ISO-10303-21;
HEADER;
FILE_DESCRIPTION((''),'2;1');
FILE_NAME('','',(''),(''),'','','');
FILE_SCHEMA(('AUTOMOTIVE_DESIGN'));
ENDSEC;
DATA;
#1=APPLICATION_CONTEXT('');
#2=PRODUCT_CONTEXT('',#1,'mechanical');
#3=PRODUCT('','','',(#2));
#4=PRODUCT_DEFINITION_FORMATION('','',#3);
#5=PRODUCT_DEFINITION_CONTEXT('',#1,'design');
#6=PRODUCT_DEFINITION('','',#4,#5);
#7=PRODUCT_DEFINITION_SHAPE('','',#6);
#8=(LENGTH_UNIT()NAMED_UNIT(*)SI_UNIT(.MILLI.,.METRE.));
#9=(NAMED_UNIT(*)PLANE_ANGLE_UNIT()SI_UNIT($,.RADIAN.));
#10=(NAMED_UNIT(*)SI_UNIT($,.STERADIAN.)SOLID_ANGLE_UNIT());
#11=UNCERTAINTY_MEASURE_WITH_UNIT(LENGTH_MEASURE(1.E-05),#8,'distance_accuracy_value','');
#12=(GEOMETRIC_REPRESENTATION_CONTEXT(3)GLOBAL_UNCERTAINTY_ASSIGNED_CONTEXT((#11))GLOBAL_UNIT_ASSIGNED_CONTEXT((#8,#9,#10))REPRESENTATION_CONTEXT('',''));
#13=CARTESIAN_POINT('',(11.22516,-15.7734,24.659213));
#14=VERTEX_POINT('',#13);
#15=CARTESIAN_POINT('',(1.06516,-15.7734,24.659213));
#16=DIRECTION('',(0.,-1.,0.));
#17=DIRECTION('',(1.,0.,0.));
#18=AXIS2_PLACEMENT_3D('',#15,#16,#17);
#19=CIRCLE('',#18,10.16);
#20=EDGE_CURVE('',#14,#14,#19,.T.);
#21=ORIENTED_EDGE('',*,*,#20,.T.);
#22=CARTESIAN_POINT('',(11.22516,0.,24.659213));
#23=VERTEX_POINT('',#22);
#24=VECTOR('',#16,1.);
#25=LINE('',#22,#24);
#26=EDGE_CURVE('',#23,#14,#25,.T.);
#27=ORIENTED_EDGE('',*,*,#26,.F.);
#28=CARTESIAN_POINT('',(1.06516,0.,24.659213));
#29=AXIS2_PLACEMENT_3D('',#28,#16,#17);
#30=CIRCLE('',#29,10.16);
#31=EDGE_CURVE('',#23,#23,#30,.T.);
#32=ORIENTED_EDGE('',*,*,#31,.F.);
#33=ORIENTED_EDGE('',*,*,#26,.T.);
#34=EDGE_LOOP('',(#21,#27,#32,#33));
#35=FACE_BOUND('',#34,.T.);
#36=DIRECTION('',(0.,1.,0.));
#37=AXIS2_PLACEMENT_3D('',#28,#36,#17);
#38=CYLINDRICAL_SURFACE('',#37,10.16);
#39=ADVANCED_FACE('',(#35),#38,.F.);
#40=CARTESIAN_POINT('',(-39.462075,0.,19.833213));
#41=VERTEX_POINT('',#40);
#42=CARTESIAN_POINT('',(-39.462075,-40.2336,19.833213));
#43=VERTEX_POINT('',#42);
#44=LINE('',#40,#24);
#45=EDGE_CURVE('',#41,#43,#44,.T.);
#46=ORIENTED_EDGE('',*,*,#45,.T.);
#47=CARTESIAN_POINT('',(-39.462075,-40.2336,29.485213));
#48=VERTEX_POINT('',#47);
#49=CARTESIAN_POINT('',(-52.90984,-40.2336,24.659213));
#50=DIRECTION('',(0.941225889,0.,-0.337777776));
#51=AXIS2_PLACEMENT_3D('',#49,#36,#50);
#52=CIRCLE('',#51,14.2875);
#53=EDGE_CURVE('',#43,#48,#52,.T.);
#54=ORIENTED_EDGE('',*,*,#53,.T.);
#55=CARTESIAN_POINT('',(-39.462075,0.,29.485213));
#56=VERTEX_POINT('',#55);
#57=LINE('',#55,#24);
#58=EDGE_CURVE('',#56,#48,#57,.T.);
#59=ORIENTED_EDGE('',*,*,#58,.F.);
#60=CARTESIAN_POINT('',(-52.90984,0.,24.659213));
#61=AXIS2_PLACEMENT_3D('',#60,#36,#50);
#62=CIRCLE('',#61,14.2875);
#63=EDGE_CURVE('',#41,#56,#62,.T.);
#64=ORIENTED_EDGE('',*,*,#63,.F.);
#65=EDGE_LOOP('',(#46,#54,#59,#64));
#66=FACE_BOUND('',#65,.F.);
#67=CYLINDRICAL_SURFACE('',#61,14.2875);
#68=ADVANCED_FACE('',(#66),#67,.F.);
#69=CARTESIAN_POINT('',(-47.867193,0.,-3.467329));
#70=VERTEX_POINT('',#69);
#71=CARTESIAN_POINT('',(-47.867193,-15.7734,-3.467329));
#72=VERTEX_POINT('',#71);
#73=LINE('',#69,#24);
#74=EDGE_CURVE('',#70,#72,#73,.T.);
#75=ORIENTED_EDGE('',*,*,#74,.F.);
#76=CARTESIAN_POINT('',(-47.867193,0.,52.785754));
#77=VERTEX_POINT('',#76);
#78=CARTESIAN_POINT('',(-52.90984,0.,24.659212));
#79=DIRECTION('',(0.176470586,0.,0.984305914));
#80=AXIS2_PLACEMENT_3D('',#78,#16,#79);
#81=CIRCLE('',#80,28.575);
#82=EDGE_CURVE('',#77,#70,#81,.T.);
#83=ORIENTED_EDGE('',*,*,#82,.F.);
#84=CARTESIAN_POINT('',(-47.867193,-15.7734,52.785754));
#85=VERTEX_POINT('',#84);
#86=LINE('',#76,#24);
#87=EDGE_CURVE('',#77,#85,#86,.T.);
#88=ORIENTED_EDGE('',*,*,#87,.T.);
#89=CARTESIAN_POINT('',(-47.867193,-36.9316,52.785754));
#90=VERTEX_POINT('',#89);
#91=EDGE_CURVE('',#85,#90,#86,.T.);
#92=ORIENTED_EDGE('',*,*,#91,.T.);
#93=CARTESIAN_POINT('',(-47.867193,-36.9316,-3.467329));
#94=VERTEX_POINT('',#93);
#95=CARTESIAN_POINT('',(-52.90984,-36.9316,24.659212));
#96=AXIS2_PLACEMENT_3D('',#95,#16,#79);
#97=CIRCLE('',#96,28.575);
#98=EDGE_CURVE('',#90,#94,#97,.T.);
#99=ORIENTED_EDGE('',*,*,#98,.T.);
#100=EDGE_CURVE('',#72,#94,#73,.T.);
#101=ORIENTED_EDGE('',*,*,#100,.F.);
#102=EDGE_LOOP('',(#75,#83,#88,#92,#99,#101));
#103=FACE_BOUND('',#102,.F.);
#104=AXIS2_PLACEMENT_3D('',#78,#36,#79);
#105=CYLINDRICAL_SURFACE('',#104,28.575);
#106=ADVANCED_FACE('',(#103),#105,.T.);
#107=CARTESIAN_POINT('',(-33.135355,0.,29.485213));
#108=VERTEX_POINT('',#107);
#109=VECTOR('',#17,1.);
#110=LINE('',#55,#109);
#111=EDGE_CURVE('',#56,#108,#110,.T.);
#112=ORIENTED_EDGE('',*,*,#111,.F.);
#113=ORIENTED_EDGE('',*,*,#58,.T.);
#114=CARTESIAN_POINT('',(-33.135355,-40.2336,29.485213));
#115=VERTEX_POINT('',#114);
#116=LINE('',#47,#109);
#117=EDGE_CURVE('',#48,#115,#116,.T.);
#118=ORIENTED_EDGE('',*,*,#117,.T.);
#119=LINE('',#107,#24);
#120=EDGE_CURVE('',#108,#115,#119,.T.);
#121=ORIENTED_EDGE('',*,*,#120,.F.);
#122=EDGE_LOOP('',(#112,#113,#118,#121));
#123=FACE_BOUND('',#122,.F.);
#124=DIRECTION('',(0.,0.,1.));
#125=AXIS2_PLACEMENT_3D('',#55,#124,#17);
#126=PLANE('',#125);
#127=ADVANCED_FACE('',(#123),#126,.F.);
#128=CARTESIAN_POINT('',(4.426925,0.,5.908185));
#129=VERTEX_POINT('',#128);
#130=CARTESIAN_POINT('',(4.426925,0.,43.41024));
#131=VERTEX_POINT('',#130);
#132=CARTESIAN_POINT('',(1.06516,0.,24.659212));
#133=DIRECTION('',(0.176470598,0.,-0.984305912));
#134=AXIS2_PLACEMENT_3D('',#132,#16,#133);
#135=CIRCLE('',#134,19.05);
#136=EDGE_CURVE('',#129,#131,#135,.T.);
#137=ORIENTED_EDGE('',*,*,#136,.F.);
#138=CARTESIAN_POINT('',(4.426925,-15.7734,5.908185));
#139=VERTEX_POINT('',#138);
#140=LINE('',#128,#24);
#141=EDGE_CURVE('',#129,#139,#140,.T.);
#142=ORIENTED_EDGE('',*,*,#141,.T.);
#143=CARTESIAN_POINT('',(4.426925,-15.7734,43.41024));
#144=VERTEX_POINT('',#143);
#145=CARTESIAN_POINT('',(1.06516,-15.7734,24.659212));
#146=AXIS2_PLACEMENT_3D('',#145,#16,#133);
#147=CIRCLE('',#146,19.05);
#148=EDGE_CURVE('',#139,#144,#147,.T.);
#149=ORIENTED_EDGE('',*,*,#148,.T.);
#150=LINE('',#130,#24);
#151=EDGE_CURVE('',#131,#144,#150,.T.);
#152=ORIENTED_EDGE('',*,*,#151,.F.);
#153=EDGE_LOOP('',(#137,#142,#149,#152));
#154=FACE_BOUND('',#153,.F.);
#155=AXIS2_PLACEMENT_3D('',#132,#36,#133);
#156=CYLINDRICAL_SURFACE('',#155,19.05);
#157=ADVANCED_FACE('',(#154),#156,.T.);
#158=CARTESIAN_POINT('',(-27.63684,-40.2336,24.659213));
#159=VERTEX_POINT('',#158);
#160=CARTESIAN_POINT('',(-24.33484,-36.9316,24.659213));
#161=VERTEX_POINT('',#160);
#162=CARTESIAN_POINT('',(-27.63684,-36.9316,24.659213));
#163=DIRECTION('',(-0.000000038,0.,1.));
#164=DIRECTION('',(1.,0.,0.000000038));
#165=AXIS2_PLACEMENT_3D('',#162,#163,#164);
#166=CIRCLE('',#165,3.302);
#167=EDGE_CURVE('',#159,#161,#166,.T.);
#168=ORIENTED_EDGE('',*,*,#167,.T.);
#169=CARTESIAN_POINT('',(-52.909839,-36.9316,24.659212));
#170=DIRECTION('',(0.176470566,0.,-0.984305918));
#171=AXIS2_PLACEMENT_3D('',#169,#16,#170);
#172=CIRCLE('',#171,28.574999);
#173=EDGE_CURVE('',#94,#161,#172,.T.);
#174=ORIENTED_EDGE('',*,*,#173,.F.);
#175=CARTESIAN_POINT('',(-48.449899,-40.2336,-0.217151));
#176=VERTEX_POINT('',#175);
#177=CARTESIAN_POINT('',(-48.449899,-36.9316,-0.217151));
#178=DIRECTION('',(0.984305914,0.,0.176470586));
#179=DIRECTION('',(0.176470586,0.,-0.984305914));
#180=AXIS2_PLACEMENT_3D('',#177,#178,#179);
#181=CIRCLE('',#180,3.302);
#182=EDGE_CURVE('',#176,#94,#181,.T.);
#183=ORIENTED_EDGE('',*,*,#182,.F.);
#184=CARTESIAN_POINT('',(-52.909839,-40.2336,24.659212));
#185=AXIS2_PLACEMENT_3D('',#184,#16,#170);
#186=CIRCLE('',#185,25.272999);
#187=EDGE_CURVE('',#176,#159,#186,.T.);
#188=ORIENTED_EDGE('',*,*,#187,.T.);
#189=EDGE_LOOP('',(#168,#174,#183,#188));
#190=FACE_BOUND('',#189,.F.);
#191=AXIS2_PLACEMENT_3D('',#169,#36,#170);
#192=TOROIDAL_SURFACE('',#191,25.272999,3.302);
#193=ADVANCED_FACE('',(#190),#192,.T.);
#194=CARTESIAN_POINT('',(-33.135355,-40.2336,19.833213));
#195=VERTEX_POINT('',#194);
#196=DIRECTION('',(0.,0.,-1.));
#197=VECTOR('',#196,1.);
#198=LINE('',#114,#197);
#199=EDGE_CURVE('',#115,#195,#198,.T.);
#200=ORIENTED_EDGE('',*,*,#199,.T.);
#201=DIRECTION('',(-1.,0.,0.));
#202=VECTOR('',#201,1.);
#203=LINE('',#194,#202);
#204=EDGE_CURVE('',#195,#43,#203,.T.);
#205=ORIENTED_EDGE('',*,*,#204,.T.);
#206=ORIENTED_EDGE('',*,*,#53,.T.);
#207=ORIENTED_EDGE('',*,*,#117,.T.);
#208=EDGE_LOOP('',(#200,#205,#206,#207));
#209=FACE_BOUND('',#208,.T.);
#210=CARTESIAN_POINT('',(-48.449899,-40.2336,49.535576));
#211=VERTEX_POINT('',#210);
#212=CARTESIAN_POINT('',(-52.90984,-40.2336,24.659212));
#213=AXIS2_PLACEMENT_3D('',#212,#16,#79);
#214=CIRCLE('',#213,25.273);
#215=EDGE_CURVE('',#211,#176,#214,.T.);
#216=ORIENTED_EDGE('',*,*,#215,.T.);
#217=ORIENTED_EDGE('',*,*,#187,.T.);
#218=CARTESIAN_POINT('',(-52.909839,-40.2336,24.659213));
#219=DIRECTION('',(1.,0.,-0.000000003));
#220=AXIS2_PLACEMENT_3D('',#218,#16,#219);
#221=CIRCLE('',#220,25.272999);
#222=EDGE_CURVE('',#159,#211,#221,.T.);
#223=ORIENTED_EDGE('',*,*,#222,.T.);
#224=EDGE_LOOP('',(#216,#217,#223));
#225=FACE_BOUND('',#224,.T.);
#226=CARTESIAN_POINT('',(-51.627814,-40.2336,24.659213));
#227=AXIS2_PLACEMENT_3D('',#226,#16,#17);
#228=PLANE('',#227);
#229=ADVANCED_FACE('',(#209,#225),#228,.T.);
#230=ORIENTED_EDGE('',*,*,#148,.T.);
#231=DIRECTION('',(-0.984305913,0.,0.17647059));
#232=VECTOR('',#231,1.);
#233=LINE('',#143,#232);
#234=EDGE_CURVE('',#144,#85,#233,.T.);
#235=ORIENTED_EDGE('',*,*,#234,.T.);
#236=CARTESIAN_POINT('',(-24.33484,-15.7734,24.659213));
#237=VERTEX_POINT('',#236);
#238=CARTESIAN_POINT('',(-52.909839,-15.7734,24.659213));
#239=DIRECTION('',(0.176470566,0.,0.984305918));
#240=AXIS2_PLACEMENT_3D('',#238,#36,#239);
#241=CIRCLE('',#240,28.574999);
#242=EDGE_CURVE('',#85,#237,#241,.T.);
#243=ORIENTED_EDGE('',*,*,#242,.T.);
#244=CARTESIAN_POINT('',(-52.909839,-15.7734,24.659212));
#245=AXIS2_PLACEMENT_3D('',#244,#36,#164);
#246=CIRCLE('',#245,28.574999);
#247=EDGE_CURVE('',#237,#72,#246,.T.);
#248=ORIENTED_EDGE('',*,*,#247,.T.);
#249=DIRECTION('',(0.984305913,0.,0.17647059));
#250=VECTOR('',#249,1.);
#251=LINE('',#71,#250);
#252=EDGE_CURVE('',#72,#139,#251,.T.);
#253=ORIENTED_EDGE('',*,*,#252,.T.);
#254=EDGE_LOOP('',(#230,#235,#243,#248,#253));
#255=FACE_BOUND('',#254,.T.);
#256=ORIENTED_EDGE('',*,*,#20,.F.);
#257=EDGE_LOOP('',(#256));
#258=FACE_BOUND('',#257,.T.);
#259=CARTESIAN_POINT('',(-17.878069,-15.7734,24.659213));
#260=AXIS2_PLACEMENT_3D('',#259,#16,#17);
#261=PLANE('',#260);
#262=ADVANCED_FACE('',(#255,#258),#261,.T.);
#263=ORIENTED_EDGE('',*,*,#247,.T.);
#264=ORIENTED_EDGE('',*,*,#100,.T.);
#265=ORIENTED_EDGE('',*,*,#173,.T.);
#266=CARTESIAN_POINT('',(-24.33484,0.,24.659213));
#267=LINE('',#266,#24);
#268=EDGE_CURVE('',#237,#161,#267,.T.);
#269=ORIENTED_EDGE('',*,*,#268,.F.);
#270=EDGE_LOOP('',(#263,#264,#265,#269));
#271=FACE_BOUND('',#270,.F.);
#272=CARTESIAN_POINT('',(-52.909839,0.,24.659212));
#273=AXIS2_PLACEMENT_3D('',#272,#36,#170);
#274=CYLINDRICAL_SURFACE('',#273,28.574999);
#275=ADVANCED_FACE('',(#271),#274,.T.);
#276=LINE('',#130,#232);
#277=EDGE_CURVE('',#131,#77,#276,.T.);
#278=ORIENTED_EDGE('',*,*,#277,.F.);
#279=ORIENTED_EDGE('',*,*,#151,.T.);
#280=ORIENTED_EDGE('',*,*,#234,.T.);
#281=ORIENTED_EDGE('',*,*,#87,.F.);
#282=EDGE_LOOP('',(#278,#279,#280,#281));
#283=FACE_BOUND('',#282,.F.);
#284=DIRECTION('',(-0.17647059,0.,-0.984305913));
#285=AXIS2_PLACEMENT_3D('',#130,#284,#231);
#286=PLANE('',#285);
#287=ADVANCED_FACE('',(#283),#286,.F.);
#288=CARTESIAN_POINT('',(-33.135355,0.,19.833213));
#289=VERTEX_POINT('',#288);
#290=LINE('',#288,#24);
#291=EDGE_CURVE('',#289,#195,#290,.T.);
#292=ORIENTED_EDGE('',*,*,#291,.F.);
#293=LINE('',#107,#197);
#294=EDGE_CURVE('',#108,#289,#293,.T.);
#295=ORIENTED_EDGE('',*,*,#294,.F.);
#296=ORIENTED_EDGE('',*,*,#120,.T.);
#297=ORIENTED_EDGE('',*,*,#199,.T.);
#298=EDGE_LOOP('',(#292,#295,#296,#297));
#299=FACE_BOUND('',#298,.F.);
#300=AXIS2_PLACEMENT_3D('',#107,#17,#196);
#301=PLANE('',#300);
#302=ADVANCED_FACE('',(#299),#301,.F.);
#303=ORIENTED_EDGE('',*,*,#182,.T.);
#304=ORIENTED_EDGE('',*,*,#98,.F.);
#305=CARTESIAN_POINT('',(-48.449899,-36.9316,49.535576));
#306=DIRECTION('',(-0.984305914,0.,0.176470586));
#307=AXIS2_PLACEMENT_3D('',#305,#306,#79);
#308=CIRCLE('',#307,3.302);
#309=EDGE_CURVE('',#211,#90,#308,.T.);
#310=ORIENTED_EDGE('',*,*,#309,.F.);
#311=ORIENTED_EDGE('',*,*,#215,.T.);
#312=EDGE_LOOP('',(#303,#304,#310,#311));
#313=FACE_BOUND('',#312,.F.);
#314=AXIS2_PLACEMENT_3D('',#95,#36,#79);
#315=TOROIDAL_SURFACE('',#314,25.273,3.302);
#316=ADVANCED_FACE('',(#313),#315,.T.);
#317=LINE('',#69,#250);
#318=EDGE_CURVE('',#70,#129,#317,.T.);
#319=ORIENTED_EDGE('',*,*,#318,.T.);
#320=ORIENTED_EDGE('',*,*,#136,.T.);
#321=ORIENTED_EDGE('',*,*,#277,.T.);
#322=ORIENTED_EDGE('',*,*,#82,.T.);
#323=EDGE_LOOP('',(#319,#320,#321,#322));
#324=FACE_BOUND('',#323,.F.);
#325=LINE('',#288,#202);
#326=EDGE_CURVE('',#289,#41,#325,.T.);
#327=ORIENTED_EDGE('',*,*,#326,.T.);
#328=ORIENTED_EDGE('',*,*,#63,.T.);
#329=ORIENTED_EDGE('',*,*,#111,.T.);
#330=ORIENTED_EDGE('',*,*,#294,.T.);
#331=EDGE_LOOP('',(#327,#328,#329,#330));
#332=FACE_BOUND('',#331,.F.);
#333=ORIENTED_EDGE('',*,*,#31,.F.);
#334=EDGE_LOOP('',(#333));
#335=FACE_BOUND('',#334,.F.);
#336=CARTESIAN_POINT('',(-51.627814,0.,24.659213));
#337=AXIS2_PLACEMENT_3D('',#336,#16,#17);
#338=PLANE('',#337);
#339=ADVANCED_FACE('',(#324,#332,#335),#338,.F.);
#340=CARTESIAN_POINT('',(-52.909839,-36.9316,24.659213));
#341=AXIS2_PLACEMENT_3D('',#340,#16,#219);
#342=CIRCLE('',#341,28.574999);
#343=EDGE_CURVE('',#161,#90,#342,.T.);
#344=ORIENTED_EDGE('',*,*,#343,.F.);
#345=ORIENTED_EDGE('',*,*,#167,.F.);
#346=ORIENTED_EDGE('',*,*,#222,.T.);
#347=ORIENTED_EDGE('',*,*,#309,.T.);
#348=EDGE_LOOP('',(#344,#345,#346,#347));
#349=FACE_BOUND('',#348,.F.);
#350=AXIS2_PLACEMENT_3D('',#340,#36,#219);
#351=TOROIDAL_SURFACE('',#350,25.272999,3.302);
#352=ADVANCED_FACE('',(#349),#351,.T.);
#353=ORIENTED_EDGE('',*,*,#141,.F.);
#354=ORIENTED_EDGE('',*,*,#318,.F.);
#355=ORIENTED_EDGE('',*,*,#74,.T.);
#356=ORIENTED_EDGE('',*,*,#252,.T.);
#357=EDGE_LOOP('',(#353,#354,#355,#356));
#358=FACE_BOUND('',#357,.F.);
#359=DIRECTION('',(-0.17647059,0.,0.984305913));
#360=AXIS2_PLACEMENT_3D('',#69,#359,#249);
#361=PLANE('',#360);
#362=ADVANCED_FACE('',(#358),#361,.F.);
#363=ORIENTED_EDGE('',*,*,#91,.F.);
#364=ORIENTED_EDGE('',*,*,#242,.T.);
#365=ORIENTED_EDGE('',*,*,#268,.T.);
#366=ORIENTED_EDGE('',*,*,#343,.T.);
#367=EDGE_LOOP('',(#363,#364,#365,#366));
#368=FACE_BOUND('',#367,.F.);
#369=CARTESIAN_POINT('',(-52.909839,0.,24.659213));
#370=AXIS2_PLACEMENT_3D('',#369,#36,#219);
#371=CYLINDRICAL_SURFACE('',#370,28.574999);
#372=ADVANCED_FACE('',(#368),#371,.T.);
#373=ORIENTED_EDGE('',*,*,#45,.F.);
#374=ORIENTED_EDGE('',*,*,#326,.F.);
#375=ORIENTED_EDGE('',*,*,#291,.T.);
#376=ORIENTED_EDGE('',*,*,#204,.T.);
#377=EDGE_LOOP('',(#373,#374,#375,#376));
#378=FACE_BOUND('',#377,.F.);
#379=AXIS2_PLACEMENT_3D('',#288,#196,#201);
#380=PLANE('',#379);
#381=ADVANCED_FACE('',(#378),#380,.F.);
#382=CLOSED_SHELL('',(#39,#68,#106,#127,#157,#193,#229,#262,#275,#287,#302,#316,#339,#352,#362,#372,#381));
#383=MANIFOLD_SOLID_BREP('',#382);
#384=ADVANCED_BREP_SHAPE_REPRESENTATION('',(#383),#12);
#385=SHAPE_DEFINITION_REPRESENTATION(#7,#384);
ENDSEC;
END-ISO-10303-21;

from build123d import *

# Parameters (mm, degrees)
F0_R     = 10.16
F1_DEPTH = 15.7734
F2_DEPTH = 40.2336
F3_R     = 3.302


with BuildPart() as f1:
    # F0 (on Front) → F1 (new body)
    with BuildSketch(Plane.XZ):
        with BuildLine():
            ThreePointArc((-47.867193, 52.785754), (-30.993815, 42.995474), (-24.33484, 24.659213))
            ThreePointArc((-24.33484, 24.659213), (-30.993815, 6.322951), (-47.867193, -3.467329))
            Line((-47.867193, -3.467329), (4.426925, 5.908185))
            ThreePointArc((4.426925, 5.908185), (20.11516, 24.659213), (4.426925, 43.41024))
            Line((4.426925, 43.41024), (-47.867193, 52.785754))
        make_face()
        with Locations((1.06516, 24.659213)):
            Circle(F0_R, mode=Mode.SUBTRACT)
    extrude(amount=F1_DEPTH)

    # F0 (on Front) → F2 (join)
    with BuildSketch(Plane.XZ):
        with BuildLine():
            ThreePointArc((-47.867193, -3.467329), (-30.993815, 6.322951), (-24.33484, 24.659213))
            ThreePointArc((-24.33484, 24.659213), (-30.993815, 42.995474), (-47.867193, 52.785754))
            ThreePointArc((-47.867193, 52.785754), (-81.48484, 24.659213), (-47.867193, -3.467329))
        make_face()
        with BuildLine():
            ThreePointArc((-39.462075, 19.833213), (-67.19734, 24.659213), (-39.462075, 29.485213))
            Line((-39.462075, 29.485213), (-33.135355, 29.485213))
            Line((-33.135355, 29.485213), (-33.135355, 24.659213))
            Line((-33.135355, 24.659213), (-33.135355, 19.833213))
            Line((-33.135355, 19.833213), (-39.462075, 19.833213))
        make_face(mode=Mode.SUBTRACT)
    extrude(amount=F2_DEPTH)

    # F3
    f3_edges = [f1.edges().sort_by_distance(p)[0] for p in [
        (-57.952487, -40.2336, 52.785754),
    ]]
    fillet(f3_edges, radius=F3_R)


solid = f1.part
